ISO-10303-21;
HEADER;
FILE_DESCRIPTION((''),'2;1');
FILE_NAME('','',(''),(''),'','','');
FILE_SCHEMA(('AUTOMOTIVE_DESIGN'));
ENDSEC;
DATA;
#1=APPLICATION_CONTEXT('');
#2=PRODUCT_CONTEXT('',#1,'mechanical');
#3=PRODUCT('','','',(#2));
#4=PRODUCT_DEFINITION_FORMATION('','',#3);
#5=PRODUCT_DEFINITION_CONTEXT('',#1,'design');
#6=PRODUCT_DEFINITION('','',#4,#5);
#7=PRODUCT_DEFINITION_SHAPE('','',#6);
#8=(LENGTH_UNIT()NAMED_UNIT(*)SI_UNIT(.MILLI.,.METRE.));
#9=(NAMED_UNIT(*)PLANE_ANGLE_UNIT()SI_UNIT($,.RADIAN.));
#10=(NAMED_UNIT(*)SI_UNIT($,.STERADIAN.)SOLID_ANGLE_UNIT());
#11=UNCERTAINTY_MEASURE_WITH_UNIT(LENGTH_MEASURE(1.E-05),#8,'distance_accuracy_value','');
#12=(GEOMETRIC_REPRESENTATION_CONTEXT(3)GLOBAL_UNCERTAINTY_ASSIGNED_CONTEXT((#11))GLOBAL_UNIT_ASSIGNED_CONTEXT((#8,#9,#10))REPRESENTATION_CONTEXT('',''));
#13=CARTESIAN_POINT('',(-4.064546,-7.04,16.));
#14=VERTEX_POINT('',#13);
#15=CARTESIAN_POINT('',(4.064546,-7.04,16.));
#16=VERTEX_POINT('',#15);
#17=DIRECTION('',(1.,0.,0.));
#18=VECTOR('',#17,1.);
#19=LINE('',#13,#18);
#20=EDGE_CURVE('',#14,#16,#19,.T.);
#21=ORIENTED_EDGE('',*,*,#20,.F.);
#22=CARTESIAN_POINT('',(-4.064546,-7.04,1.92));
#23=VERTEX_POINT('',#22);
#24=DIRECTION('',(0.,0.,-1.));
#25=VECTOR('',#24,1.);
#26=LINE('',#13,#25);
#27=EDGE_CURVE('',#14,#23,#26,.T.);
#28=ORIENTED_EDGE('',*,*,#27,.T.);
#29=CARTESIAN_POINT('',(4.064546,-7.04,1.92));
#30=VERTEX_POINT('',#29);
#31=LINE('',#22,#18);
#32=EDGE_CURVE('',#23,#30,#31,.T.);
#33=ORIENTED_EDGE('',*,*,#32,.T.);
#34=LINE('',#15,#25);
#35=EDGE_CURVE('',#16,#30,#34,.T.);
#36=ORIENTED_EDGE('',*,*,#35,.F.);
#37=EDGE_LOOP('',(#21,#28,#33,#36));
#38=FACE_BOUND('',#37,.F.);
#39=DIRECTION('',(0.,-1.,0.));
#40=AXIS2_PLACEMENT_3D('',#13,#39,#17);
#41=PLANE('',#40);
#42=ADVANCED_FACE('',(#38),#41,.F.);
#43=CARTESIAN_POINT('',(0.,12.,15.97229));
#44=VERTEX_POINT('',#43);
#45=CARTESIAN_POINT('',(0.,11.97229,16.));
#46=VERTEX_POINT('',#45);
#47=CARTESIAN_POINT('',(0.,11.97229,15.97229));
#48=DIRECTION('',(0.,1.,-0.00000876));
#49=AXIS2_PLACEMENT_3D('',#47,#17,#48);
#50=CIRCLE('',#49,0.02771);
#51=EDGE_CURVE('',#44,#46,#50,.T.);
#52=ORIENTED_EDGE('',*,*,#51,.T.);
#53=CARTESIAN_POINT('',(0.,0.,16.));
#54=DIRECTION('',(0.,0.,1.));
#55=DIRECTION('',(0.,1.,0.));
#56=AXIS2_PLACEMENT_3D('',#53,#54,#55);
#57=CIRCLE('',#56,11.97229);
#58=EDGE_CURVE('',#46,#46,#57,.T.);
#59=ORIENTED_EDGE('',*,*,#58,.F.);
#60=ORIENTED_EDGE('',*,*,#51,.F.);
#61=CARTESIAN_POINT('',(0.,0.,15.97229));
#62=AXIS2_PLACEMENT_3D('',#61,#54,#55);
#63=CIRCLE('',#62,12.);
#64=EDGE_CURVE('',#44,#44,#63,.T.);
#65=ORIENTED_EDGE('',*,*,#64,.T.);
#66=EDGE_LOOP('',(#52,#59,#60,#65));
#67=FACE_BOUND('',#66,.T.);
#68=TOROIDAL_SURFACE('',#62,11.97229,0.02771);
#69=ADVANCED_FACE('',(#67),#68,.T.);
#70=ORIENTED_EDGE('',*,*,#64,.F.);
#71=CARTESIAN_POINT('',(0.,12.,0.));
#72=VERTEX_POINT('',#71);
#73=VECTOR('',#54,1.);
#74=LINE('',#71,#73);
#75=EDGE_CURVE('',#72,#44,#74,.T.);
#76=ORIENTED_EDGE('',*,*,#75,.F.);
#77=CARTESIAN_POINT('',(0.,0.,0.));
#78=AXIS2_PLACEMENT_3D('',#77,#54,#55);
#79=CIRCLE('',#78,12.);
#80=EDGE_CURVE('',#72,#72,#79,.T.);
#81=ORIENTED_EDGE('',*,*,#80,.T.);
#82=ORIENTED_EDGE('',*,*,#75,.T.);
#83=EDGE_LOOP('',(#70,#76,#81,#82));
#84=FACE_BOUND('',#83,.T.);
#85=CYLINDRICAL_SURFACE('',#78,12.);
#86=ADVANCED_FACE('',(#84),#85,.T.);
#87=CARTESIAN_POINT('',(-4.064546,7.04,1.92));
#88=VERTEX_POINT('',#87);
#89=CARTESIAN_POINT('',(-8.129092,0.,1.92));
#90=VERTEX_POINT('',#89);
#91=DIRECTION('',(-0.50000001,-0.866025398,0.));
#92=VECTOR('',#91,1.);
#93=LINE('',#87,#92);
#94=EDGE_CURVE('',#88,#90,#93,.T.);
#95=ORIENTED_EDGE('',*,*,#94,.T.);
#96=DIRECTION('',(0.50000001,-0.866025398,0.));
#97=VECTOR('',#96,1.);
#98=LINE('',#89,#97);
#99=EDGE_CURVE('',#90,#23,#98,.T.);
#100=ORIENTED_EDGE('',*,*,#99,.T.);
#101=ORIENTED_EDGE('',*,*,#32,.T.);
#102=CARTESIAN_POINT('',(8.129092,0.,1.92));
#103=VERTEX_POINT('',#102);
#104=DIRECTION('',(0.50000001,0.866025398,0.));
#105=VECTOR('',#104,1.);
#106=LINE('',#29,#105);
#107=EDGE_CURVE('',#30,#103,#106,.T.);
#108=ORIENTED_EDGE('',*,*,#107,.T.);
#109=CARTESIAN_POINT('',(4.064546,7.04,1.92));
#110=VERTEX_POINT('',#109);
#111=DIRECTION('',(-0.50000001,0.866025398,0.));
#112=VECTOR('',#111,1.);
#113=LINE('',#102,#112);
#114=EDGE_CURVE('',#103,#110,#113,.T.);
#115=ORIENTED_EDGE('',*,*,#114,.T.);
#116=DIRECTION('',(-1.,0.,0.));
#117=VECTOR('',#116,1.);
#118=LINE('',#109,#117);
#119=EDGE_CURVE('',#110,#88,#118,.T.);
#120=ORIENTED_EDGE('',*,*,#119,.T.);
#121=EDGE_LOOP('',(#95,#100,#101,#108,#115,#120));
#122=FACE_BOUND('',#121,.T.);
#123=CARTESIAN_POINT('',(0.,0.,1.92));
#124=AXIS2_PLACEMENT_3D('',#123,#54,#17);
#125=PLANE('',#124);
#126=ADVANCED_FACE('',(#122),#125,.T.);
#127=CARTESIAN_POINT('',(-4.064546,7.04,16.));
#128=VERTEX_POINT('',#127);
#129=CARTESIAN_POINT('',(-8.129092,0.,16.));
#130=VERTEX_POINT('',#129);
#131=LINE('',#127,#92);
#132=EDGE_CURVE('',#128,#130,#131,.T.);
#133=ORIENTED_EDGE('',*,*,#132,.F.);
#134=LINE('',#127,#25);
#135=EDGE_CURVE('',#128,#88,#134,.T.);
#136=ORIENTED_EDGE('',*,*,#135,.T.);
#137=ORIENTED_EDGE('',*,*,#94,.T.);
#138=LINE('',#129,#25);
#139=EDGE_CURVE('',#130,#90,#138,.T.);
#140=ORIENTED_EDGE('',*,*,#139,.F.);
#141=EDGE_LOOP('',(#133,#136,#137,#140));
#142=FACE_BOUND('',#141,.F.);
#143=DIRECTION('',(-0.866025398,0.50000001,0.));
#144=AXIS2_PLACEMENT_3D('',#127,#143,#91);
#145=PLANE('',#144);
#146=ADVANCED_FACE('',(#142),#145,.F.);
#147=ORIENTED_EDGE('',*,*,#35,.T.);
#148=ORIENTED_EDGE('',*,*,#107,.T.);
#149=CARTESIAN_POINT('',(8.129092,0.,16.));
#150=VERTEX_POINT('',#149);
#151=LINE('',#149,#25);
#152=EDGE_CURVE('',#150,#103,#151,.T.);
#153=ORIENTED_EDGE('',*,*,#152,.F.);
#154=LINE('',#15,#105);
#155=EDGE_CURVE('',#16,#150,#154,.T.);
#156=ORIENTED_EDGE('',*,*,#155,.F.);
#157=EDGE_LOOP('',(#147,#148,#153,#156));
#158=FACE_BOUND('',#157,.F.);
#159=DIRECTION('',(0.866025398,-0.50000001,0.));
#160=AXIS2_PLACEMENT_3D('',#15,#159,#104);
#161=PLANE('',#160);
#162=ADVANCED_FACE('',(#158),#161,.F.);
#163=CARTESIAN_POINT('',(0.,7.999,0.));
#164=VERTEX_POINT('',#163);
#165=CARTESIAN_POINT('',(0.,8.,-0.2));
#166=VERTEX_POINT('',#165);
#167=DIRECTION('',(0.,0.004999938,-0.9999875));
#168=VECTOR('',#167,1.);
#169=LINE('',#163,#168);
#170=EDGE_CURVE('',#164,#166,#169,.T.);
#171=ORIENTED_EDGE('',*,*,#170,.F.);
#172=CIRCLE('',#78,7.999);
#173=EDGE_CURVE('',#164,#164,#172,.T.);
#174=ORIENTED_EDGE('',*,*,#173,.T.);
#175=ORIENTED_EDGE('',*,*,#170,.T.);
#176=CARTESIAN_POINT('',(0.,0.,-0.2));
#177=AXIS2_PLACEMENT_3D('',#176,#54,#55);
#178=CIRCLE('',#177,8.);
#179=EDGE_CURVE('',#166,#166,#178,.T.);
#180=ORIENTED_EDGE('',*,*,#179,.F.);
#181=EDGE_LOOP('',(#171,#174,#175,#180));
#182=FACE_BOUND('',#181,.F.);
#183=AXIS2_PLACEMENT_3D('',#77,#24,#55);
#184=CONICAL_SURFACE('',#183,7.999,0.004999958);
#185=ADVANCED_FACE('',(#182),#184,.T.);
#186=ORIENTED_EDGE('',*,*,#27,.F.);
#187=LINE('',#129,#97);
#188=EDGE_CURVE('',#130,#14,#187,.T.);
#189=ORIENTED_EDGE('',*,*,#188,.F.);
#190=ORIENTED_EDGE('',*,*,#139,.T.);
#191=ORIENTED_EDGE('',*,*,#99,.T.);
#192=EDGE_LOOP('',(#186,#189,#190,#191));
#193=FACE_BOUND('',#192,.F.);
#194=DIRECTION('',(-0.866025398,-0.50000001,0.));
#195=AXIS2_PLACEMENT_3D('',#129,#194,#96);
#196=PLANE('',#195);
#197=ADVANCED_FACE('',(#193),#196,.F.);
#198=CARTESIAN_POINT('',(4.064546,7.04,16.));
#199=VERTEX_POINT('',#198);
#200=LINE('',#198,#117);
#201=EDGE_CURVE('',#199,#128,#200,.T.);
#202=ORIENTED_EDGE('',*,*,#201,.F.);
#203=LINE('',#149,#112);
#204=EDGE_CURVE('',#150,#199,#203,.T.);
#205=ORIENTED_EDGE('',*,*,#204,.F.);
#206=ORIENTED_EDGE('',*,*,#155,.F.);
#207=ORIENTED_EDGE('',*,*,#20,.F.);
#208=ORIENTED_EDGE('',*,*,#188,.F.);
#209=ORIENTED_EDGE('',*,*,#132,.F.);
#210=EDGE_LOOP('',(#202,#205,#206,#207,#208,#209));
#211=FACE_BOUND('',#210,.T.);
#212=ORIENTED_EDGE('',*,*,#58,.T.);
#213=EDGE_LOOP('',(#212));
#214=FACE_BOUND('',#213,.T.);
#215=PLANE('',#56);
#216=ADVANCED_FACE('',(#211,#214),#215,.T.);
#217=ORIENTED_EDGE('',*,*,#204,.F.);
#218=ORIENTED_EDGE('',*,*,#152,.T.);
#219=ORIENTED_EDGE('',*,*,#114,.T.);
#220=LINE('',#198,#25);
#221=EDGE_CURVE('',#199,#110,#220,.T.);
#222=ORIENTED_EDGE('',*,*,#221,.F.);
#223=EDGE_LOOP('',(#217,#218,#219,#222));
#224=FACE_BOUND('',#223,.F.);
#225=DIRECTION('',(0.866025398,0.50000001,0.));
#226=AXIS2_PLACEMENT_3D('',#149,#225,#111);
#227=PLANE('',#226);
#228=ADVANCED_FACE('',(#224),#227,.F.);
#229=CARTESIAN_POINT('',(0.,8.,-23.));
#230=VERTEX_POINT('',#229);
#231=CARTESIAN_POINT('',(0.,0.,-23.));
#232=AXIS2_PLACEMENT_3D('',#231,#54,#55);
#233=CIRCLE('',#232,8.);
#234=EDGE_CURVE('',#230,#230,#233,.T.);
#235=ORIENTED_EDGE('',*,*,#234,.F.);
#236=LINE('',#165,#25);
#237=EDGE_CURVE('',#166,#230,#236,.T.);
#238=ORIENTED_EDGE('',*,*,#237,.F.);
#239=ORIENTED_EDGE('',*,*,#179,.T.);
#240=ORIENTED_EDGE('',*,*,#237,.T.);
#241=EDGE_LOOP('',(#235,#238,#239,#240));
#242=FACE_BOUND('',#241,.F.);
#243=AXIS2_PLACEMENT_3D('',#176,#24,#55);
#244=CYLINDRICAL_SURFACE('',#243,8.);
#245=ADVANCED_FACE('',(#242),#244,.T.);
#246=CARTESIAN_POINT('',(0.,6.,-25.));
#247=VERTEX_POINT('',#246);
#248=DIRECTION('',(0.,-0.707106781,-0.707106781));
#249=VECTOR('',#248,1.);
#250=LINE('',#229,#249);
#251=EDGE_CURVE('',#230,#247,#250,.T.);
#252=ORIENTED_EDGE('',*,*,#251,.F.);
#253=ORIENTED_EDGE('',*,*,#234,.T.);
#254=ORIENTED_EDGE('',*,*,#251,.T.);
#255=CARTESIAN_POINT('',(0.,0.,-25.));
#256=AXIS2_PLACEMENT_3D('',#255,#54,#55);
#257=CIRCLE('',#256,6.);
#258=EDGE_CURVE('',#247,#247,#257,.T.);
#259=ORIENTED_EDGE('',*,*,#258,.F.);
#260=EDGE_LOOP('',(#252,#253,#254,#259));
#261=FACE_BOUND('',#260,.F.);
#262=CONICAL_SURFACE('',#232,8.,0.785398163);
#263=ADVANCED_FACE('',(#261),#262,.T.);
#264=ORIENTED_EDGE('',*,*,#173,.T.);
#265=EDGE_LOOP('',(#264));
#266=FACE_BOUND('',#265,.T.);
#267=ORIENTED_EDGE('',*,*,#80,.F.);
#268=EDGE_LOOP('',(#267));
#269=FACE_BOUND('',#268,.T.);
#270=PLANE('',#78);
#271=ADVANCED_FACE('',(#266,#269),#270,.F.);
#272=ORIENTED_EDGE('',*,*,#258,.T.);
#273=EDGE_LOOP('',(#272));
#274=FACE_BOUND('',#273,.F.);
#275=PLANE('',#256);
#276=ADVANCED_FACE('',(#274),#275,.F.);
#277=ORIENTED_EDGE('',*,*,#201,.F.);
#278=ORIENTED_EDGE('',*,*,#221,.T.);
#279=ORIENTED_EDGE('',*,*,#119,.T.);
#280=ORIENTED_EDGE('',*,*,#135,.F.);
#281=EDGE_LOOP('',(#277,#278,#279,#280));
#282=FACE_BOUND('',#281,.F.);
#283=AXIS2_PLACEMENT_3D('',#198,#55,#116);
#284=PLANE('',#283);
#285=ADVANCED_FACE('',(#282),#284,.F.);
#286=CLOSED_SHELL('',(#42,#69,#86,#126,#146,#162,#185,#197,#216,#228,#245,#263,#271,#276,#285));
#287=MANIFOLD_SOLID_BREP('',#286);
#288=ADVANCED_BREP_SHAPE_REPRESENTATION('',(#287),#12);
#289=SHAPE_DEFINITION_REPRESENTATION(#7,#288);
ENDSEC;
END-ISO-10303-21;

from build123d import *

# Parameters (mm, degrees)
POCKET_DEPTH = 14.08


with BuildPart() as part:
    # Sketch → Revolve (revolve)
    with BuildSketch(Plane.YZ):
        with BuildLine():
            Line((7.999, 0), (12, 0))
            Line((12, 0), (12, 15.97229))
            ThreePointArc((12, 15.97229), (11.991884, 15.991884), (11.97229, 16))
            Line((11.97229, 16), (0, 16))
            Line((0, -25), (0, 16))
            Line((6, -25), (0, -25))
            Line((8, -23), (6, -25))
            Line((8, -0.2), (8, -23))
            Line((7.999, 0), (8, -0.2))
        make_face()
    revolve(axis=Axis((0, 0, 0), (0, 0, 1)))

    # Sketch001 → Pocket (cut)
    with BuildSketch(Plane.XY.offset(16)):
        Polygon((8.129092, 0), (4.064546, 7.04), (-4.064546, 7.04), (-8.129092, 0), (-4.064546, -7.04), (4.064546, -7.04), align=None)
    extrude(amount=-POCKET_DEPTH, mode=Mode.SUBTRACT)


solid = part.part
